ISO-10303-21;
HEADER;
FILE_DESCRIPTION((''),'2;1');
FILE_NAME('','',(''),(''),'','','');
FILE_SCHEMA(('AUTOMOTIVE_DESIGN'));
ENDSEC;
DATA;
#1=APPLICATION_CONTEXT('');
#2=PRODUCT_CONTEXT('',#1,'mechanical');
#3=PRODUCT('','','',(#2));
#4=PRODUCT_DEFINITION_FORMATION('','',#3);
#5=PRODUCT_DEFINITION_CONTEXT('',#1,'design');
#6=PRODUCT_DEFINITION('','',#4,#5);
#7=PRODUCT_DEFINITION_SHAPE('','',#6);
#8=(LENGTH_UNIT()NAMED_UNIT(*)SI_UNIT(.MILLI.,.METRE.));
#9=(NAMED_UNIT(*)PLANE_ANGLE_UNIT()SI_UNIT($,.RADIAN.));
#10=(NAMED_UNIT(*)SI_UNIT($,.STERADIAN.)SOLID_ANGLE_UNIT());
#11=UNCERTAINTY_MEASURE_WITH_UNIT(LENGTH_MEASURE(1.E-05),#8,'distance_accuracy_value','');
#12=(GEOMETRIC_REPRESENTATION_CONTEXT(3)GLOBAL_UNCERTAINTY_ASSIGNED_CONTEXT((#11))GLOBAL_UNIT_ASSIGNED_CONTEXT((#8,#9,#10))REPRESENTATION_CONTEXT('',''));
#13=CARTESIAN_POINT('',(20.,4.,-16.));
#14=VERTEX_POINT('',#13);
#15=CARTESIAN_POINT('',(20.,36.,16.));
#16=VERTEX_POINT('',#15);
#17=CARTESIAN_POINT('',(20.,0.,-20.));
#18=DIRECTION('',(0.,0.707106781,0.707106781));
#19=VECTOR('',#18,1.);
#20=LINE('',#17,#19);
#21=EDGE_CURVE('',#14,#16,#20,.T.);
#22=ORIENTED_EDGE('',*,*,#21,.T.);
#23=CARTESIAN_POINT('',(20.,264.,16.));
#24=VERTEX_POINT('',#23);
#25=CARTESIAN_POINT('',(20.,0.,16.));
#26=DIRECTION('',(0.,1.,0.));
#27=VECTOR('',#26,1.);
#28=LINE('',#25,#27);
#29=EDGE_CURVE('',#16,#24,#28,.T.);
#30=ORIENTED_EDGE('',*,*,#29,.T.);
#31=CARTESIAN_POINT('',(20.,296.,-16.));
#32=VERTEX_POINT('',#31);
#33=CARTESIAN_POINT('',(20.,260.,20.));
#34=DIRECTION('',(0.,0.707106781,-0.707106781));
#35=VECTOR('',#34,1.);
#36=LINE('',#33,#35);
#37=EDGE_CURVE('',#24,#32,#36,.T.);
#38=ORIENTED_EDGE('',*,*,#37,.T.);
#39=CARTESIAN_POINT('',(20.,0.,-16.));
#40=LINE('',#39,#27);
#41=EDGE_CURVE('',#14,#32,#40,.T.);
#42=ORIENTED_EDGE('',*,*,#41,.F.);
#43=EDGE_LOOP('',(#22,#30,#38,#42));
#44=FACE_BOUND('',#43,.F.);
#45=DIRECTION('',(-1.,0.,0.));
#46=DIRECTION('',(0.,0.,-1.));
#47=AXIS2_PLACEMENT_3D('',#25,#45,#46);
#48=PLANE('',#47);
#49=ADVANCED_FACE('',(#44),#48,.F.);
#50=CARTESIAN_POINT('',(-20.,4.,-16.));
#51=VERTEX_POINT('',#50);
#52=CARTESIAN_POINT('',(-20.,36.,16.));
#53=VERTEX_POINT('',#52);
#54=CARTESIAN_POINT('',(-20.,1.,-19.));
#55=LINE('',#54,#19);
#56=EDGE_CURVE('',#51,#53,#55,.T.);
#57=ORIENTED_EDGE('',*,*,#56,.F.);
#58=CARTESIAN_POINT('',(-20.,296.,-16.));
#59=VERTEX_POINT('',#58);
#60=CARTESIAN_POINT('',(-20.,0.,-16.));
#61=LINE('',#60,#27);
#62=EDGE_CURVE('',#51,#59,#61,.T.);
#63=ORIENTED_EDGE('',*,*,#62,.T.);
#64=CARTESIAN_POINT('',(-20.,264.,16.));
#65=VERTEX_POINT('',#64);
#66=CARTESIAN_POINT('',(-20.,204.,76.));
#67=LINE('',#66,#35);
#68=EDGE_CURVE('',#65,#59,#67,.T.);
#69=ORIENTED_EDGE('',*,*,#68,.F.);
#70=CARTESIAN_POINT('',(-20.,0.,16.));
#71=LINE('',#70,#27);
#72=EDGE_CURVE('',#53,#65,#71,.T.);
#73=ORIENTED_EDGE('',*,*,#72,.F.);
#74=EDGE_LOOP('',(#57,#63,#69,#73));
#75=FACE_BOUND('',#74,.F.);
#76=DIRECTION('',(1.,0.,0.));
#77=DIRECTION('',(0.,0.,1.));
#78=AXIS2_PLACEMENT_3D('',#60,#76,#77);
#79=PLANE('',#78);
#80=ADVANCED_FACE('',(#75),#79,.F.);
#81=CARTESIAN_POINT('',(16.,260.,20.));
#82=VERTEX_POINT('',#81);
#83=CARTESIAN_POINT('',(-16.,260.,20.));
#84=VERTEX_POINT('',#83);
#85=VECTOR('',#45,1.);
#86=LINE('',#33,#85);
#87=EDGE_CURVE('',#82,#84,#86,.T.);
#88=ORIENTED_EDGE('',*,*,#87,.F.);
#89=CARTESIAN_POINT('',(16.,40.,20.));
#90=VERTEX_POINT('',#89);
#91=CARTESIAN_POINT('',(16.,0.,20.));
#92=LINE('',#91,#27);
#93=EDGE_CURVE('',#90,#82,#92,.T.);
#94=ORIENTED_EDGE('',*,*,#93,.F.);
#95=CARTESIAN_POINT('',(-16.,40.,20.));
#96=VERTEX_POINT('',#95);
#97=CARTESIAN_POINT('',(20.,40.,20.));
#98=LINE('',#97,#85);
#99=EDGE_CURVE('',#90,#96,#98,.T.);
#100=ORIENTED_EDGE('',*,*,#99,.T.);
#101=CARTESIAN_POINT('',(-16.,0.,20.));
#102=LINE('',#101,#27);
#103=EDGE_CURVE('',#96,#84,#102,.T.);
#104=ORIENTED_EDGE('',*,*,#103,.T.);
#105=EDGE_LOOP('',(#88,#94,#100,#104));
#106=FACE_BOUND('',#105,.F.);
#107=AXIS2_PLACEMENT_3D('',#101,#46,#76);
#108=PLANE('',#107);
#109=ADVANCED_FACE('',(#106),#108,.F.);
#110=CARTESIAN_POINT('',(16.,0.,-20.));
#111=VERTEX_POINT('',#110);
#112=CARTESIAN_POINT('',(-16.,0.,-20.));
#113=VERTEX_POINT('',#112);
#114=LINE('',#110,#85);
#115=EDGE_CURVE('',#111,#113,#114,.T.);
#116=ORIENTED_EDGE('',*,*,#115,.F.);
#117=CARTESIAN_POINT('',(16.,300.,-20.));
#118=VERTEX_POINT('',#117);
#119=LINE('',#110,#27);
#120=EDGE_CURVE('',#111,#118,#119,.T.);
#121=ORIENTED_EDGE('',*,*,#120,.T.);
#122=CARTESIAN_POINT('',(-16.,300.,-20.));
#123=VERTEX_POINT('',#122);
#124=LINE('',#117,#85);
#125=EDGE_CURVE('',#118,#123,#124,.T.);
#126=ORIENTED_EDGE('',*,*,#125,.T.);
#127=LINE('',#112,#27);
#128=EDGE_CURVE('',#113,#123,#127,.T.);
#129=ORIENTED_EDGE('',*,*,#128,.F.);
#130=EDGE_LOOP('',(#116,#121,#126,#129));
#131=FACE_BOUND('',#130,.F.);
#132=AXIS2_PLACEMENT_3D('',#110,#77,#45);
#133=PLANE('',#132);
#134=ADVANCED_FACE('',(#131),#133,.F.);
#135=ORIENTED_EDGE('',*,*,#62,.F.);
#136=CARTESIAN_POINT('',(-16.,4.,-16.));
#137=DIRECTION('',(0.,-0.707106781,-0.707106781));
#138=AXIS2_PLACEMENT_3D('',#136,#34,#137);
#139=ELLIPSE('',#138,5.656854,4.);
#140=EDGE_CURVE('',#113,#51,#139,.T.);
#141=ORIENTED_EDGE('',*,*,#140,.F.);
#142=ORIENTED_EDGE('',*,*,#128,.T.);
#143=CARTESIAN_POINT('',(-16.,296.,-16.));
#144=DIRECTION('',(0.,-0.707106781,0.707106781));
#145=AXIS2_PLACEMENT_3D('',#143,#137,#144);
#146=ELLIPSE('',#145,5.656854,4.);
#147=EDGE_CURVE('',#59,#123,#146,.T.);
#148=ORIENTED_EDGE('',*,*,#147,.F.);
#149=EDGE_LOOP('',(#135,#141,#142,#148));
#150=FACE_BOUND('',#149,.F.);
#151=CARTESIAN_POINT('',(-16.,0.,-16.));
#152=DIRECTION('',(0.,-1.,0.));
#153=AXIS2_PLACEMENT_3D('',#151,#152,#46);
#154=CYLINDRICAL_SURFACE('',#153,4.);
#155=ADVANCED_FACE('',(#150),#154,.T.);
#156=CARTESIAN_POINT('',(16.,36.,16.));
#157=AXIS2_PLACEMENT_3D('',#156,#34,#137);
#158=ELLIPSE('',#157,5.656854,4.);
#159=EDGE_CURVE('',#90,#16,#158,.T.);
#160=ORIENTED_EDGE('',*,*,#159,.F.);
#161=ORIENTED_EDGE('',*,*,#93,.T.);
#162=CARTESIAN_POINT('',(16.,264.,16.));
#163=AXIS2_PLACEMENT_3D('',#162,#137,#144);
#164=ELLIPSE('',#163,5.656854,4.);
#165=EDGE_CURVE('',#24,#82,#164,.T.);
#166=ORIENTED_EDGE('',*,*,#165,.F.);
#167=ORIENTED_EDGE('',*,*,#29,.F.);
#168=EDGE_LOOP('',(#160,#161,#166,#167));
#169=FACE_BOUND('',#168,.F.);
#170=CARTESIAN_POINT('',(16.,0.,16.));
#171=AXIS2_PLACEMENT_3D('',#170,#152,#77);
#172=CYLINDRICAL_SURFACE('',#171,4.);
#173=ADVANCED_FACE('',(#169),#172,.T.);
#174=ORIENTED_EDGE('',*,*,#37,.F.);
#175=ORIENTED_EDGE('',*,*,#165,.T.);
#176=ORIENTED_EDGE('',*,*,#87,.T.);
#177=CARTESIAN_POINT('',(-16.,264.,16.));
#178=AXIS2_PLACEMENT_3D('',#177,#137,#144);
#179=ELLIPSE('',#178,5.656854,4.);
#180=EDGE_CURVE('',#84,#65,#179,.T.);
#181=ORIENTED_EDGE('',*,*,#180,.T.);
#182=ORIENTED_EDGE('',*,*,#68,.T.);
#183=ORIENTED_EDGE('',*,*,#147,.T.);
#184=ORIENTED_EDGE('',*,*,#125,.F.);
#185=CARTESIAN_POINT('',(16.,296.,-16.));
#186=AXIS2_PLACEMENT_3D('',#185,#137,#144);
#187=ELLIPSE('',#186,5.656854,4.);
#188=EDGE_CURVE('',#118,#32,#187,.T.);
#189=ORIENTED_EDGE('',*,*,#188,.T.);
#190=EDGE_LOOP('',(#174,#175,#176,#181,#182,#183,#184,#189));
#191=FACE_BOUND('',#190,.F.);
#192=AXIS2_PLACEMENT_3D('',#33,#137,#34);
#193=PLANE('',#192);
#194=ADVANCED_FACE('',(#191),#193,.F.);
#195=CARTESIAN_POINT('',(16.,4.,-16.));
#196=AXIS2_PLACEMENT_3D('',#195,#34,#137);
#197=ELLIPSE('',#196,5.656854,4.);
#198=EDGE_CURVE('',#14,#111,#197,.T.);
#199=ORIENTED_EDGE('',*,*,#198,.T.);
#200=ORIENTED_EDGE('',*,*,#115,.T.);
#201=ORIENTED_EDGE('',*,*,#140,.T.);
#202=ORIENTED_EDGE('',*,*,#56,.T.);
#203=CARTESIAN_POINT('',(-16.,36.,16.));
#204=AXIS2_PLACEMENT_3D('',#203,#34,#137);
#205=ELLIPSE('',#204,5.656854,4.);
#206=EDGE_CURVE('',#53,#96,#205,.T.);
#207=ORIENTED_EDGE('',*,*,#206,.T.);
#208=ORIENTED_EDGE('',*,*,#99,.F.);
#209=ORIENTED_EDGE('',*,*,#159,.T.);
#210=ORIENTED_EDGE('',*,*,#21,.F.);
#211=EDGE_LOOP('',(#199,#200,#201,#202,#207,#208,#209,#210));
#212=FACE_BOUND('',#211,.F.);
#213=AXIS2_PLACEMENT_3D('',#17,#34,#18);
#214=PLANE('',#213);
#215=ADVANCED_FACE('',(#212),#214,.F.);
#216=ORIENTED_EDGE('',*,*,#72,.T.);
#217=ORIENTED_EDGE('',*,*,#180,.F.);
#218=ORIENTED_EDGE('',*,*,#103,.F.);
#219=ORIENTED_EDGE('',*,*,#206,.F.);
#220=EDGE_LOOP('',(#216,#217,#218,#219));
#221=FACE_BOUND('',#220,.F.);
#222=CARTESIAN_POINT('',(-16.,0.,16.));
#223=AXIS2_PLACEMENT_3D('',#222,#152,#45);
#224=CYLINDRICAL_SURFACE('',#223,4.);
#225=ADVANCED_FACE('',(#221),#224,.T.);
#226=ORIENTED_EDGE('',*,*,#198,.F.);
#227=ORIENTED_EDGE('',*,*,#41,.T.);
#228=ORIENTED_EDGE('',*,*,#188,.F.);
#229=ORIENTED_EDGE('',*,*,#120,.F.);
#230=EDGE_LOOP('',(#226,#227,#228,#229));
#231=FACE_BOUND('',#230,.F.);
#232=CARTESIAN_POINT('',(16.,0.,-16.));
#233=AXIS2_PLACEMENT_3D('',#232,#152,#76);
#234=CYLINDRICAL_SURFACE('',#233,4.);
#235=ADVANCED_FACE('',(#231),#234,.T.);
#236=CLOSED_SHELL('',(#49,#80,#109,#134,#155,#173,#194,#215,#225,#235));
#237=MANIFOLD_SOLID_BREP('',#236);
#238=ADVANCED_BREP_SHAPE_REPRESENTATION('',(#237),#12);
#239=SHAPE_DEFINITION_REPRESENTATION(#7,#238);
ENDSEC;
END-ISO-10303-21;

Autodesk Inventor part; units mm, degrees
ref_plane "YZ Plane" through (0, 0, 0) normal (1, 0, 0) x (0, 1, 0)
ref_plane "XZ Plane" through (0, 0, 0) normal (0, 1, 0) x (-1, 0, 0)
ref_plane "XY Plane" through (0, 0, 0) normal (0, 0, 1) x (1, 0, 0)
sketch "Sketch1" plane through (0, 0, 0) normal (0, 1, 0) x (-1, 0, 0)
  line L0 (0, 12.4728) -> (0, -12.4728) construction
  line L1 (2.135, 0) -> (-2.135, 0) construction
  line L2 (16, 20) -> (-16, 20)
  line L3 (-20, 16) -> (-20, -16)
  line L4 (-16, -20) -> (16, -20)
  line L5 (20, -16) -> (20, 16)
  arc A0 (-16, 20) -> (-20, 16) centre (-16, 16) ccw
  arc A1 (-20, -16) -> (-16, -20) centre (-16, -16) ccw
  arc A2 (16, -20) -> (20, -16) centre (16, -16) ccw
  arc A3 (20, 16) -> (16, 20) centre (16, 16) ccw
  point P0 (0, 0)
  point P1 (0, 0)
  dimension "d1" = 4
  dimension "d2" = 4
  dimension "d3" = 40
extrude "Extrusion1" add sketch "Sketch1" along normal blind 300
sketch "Sketch2" plane through (20, 0, 16) normal (1, 0, 0) x (0, 0, -1)
  line L0 (36, 0) -> (-4, 40)
  line L1 (-4, 40) -> (-4, 0)
  line L2 (-4, 0) -> (36, 0)
  line L3 (-4, 300) -> (-4, 260)
  line L4 (-4, 260) -> (36, 300)
  line L5 (36, 300) -> (-4, 300)
  line L6 (-4, 0) -> (-4, 300) projected
  line L7 (36, 0) -> (36, 300) projected
  point P0 (16, 0)
  dimension "d6" = 45
  dimension "d7" = 45
extrude "Extrusion2" cut sketch "Sketch2" against normal through all contours L2 L1 L0 | L4 L3 L5
properties part number "item40x40_1000"
